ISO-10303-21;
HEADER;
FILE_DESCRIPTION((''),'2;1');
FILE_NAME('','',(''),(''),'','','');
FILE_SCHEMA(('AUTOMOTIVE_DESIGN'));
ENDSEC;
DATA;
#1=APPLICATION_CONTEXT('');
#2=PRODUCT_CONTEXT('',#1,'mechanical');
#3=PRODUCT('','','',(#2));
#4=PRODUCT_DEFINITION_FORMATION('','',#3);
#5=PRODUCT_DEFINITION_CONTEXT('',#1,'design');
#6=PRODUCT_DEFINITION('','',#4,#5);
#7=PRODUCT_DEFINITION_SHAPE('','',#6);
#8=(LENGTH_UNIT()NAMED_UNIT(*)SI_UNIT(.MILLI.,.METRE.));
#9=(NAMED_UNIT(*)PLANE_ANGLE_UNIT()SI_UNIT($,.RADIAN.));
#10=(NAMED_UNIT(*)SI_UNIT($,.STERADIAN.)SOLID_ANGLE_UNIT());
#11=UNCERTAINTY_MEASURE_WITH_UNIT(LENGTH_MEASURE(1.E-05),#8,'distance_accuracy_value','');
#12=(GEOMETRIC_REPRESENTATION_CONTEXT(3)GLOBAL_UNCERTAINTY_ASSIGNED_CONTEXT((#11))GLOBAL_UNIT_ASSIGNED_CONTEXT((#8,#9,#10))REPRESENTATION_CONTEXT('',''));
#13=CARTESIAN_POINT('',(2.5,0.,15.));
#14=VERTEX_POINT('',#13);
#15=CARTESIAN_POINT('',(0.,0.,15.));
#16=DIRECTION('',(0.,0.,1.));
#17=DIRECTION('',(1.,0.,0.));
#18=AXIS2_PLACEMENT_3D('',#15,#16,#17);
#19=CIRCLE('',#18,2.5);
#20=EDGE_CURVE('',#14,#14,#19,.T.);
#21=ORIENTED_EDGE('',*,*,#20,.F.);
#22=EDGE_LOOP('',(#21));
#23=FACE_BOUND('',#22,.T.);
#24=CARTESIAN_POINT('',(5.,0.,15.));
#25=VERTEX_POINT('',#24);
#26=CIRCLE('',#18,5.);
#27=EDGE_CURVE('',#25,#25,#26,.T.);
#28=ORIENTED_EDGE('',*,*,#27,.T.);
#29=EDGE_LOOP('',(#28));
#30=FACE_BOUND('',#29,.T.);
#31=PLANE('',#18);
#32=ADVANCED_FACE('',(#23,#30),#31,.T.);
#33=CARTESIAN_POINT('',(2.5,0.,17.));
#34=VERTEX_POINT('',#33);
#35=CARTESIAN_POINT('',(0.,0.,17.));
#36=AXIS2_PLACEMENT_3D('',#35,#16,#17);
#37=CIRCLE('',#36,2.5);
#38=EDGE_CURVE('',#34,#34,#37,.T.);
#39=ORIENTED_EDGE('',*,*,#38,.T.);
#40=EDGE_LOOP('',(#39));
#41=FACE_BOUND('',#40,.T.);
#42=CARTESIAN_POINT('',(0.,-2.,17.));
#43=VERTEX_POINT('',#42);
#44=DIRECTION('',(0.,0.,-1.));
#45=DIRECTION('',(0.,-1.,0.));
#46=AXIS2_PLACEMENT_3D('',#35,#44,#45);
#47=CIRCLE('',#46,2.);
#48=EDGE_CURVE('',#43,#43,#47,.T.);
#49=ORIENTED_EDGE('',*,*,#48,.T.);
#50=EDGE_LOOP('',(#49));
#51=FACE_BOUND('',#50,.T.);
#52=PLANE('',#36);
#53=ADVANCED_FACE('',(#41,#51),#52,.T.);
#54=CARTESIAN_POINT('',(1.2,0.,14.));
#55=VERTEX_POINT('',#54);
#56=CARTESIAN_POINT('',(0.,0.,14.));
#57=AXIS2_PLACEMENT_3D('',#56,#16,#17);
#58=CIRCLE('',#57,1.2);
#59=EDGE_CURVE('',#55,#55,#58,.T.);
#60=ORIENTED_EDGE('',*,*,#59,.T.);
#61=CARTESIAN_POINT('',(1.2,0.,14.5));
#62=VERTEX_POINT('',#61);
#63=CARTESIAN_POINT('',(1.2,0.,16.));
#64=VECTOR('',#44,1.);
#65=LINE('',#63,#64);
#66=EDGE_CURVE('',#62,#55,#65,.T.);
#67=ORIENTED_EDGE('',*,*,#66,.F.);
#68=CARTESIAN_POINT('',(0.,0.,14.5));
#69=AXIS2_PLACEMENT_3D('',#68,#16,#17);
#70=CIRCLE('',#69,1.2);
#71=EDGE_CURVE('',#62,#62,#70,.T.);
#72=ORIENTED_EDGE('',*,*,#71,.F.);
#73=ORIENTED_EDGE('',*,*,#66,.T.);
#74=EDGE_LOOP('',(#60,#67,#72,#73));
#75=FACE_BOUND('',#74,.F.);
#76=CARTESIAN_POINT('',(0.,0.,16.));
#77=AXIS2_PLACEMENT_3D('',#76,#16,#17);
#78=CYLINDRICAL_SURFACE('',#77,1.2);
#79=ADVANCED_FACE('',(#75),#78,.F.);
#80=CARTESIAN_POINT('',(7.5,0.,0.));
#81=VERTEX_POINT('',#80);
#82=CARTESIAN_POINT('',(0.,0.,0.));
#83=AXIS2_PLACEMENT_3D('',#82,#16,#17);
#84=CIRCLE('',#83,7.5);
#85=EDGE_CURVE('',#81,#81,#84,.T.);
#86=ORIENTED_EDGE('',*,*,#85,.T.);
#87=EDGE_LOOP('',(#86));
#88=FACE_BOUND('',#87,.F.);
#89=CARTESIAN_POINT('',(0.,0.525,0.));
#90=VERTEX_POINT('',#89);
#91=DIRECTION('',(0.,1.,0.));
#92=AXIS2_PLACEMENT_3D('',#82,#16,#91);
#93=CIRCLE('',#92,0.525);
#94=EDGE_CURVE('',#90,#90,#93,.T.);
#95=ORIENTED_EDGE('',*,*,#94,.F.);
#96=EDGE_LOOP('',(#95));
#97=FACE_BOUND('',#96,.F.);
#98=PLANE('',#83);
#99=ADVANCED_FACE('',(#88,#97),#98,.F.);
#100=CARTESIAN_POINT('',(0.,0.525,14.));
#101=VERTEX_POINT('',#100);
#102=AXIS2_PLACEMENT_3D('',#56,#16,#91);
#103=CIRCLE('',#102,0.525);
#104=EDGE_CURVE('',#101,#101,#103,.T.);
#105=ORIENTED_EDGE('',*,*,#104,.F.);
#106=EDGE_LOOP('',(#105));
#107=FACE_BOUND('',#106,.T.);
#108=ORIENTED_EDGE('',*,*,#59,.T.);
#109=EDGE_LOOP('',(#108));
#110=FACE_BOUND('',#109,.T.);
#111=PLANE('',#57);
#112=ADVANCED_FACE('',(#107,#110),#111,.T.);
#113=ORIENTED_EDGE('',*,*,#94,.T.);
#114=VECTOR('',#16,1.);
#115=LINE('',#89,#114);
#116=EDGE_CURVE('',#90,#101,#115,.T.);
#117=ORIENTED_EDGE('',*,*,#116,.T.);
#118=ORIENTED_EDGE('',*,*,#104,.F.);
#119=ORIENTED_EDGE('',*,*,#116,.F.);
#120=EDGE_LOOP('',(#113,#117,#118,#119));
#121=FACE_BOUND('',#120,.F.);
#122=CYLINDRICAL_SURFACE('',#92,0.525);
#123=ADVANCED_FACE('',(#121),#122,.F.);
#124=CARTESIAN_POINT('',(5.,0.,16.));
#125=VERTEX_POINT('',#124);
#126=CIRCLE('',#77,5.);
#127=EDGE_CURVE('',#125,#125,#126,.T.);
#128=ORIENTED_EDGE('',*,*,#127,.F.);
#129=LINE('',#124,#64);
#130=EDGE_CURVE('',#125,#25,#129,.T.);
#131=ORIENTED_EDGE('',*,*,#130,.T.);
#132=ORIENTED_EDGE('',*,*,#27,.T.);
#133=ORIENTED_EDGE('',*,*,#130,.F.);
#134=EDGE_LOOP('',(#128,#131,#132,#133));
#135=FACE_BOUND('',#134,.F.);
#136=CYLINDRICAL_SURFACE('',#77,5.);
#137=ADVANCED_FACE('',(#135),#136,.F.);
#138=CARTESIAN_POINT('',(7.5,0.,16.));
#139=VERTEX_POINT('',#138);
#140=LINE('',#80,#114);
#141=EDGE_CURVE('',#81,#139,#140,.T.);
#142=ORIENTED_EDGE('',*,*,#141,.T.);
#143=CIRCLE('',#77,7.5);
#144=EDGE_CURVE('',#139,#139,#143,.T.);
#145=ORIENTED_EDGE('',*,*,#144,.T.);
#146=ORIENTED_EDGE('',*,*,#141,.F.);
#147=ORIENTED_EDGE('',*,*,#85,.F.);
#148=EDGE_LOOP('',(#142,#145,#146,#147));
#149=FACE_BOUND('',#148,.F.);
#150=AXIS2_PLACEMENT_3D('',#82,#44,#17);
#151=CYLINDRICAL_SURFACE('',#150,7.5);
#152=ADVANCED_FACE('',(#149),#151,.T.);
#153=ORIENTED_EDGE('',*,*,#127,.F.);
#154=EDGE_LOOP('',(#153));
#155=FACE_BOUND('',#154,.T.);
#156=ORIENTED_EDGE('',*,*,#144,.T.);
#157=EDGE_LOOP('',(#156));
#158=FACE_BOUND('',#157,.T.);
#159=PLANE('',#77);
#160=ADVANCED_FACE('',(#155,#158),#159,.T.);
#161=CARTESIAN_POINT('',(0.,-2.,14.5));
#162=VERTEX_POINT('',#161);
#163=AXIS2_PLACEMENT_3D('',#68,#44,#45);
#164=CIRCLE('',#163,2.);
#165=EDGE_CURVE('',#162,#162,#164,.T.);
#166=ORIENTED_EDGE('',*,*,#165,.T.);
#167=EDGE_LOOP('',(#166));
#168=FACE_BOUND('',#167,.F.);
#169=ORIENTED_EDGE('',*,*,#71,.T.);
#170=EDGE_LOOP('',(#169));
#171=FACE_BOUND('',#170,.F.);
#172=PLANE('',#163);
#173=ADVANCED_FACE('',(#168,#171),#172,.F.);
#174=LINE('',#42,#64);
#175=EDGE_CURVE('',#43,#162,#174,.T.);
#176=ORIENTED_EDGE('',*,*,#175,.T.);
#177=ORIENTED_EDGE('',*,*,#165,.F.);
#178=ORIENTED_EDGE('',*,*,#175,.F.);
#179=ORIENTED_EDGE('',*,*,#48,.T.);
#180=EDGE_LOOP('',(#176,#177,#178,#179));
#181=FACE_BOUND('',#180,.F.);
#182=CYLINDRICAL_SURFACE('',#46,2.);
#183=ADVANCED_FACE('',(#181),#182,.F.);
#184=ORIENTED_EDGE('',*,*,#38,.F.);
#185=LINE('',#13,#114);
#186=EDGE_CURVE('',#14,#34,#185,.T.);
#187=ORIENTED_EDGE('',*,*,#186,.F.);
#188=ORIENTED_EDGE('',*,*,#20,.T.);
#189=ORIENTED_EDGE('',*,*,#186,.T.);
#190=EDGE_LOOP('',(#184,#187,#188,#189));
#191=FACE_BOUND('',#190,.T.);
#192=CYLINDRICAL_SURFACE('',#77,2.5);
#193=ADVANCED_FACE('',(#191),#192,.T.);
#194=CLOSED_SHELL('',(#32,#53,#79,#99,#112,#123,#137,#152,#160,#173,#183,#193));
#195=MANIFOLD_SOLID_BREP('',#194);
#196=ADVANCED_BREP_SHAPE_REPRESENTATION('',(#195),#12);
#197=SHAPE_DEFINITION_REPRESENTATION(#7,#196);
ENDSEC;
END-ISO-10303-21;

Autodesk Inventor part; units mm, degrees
ref_plane "YZ Plane" through (0, 0, 0) normal (1, 0, 0) x (0, 1, 0)
ref_plane "XZ Plane" through (0, 0, 0) normal (0, 1, 0) x (-1, 0, 0)
ref_plane "XY Plane" through (0, 0, 0) normal (0, 0, 1) x (1, 0, 0)
sketch "Sketch1" plane through (0, 0, 0) normal (0, 0, 1) x (1, 0, 0)
  circle A0 centre (0, 0) radius 7.5
  dimension "d0" = 15
extrude "Extrusion1" add sketch "Sketch1" along normal blind 16
sketch "Sketch2" plane through (0, 0, 16) normal (0, 0, 1) x (1, 0, 0)
  circle A0 centre (0, 0) radius 7.5 projected
  circle A1 centre (0, 0) radius 1.2
  dimension "d3" = 2.4
extrude "Extrusion2" cut sketch "Sketch2" against normal blind 2 contours A1
sketch "Sketch3" plane through (0, 0, 16) normal (0, 0, 1) x (1, 0, 0)
  circle A0 centre (0, 0) radius 7.5 projected
  circle A1 centre (0, 0) radius 1.9
  circle A2 centre (0, 0) radius 2.5
  dimension "d6" = 3.8
  dimension "d7" = 5
extrude "Extrusion3" add sketch "Sketch3" along normal blind 1 contours A2
sketch "Sketch4" plane through (0, 0, 16) normal (0, 0, 1) x (1, 0, 0)
  circle A0 centre (0, 0) radius 2.5 projected
  circle A1 centre (0, 0) radius 5
  dimension "d10" = 10
extrude "Extrusion4" cut sketch "Sketch4" against normal blind 1
sketch "Sketch5" plane through (0, 0, 0) normal (0, 0, -1) x (-1, 0, 0)
  circle A0 centre (0, 0) radius 7.5 projected
hole "Hole1" at (0, 0, 0) direction (0, 0, 1) diameter 1.05 end through all
sketch "Sketch6" plane through (0, 0, 17) normal (0, 0, 1) x (1, 0, 0)
  circle A0 centre (0, 0) radius 1.9 projected
hole "Hole2" at (0, 0, 17) direction (0, 0, -1) diameter 4 depth 2.5
properties part number "Bearing_ID_Asm_Base"
